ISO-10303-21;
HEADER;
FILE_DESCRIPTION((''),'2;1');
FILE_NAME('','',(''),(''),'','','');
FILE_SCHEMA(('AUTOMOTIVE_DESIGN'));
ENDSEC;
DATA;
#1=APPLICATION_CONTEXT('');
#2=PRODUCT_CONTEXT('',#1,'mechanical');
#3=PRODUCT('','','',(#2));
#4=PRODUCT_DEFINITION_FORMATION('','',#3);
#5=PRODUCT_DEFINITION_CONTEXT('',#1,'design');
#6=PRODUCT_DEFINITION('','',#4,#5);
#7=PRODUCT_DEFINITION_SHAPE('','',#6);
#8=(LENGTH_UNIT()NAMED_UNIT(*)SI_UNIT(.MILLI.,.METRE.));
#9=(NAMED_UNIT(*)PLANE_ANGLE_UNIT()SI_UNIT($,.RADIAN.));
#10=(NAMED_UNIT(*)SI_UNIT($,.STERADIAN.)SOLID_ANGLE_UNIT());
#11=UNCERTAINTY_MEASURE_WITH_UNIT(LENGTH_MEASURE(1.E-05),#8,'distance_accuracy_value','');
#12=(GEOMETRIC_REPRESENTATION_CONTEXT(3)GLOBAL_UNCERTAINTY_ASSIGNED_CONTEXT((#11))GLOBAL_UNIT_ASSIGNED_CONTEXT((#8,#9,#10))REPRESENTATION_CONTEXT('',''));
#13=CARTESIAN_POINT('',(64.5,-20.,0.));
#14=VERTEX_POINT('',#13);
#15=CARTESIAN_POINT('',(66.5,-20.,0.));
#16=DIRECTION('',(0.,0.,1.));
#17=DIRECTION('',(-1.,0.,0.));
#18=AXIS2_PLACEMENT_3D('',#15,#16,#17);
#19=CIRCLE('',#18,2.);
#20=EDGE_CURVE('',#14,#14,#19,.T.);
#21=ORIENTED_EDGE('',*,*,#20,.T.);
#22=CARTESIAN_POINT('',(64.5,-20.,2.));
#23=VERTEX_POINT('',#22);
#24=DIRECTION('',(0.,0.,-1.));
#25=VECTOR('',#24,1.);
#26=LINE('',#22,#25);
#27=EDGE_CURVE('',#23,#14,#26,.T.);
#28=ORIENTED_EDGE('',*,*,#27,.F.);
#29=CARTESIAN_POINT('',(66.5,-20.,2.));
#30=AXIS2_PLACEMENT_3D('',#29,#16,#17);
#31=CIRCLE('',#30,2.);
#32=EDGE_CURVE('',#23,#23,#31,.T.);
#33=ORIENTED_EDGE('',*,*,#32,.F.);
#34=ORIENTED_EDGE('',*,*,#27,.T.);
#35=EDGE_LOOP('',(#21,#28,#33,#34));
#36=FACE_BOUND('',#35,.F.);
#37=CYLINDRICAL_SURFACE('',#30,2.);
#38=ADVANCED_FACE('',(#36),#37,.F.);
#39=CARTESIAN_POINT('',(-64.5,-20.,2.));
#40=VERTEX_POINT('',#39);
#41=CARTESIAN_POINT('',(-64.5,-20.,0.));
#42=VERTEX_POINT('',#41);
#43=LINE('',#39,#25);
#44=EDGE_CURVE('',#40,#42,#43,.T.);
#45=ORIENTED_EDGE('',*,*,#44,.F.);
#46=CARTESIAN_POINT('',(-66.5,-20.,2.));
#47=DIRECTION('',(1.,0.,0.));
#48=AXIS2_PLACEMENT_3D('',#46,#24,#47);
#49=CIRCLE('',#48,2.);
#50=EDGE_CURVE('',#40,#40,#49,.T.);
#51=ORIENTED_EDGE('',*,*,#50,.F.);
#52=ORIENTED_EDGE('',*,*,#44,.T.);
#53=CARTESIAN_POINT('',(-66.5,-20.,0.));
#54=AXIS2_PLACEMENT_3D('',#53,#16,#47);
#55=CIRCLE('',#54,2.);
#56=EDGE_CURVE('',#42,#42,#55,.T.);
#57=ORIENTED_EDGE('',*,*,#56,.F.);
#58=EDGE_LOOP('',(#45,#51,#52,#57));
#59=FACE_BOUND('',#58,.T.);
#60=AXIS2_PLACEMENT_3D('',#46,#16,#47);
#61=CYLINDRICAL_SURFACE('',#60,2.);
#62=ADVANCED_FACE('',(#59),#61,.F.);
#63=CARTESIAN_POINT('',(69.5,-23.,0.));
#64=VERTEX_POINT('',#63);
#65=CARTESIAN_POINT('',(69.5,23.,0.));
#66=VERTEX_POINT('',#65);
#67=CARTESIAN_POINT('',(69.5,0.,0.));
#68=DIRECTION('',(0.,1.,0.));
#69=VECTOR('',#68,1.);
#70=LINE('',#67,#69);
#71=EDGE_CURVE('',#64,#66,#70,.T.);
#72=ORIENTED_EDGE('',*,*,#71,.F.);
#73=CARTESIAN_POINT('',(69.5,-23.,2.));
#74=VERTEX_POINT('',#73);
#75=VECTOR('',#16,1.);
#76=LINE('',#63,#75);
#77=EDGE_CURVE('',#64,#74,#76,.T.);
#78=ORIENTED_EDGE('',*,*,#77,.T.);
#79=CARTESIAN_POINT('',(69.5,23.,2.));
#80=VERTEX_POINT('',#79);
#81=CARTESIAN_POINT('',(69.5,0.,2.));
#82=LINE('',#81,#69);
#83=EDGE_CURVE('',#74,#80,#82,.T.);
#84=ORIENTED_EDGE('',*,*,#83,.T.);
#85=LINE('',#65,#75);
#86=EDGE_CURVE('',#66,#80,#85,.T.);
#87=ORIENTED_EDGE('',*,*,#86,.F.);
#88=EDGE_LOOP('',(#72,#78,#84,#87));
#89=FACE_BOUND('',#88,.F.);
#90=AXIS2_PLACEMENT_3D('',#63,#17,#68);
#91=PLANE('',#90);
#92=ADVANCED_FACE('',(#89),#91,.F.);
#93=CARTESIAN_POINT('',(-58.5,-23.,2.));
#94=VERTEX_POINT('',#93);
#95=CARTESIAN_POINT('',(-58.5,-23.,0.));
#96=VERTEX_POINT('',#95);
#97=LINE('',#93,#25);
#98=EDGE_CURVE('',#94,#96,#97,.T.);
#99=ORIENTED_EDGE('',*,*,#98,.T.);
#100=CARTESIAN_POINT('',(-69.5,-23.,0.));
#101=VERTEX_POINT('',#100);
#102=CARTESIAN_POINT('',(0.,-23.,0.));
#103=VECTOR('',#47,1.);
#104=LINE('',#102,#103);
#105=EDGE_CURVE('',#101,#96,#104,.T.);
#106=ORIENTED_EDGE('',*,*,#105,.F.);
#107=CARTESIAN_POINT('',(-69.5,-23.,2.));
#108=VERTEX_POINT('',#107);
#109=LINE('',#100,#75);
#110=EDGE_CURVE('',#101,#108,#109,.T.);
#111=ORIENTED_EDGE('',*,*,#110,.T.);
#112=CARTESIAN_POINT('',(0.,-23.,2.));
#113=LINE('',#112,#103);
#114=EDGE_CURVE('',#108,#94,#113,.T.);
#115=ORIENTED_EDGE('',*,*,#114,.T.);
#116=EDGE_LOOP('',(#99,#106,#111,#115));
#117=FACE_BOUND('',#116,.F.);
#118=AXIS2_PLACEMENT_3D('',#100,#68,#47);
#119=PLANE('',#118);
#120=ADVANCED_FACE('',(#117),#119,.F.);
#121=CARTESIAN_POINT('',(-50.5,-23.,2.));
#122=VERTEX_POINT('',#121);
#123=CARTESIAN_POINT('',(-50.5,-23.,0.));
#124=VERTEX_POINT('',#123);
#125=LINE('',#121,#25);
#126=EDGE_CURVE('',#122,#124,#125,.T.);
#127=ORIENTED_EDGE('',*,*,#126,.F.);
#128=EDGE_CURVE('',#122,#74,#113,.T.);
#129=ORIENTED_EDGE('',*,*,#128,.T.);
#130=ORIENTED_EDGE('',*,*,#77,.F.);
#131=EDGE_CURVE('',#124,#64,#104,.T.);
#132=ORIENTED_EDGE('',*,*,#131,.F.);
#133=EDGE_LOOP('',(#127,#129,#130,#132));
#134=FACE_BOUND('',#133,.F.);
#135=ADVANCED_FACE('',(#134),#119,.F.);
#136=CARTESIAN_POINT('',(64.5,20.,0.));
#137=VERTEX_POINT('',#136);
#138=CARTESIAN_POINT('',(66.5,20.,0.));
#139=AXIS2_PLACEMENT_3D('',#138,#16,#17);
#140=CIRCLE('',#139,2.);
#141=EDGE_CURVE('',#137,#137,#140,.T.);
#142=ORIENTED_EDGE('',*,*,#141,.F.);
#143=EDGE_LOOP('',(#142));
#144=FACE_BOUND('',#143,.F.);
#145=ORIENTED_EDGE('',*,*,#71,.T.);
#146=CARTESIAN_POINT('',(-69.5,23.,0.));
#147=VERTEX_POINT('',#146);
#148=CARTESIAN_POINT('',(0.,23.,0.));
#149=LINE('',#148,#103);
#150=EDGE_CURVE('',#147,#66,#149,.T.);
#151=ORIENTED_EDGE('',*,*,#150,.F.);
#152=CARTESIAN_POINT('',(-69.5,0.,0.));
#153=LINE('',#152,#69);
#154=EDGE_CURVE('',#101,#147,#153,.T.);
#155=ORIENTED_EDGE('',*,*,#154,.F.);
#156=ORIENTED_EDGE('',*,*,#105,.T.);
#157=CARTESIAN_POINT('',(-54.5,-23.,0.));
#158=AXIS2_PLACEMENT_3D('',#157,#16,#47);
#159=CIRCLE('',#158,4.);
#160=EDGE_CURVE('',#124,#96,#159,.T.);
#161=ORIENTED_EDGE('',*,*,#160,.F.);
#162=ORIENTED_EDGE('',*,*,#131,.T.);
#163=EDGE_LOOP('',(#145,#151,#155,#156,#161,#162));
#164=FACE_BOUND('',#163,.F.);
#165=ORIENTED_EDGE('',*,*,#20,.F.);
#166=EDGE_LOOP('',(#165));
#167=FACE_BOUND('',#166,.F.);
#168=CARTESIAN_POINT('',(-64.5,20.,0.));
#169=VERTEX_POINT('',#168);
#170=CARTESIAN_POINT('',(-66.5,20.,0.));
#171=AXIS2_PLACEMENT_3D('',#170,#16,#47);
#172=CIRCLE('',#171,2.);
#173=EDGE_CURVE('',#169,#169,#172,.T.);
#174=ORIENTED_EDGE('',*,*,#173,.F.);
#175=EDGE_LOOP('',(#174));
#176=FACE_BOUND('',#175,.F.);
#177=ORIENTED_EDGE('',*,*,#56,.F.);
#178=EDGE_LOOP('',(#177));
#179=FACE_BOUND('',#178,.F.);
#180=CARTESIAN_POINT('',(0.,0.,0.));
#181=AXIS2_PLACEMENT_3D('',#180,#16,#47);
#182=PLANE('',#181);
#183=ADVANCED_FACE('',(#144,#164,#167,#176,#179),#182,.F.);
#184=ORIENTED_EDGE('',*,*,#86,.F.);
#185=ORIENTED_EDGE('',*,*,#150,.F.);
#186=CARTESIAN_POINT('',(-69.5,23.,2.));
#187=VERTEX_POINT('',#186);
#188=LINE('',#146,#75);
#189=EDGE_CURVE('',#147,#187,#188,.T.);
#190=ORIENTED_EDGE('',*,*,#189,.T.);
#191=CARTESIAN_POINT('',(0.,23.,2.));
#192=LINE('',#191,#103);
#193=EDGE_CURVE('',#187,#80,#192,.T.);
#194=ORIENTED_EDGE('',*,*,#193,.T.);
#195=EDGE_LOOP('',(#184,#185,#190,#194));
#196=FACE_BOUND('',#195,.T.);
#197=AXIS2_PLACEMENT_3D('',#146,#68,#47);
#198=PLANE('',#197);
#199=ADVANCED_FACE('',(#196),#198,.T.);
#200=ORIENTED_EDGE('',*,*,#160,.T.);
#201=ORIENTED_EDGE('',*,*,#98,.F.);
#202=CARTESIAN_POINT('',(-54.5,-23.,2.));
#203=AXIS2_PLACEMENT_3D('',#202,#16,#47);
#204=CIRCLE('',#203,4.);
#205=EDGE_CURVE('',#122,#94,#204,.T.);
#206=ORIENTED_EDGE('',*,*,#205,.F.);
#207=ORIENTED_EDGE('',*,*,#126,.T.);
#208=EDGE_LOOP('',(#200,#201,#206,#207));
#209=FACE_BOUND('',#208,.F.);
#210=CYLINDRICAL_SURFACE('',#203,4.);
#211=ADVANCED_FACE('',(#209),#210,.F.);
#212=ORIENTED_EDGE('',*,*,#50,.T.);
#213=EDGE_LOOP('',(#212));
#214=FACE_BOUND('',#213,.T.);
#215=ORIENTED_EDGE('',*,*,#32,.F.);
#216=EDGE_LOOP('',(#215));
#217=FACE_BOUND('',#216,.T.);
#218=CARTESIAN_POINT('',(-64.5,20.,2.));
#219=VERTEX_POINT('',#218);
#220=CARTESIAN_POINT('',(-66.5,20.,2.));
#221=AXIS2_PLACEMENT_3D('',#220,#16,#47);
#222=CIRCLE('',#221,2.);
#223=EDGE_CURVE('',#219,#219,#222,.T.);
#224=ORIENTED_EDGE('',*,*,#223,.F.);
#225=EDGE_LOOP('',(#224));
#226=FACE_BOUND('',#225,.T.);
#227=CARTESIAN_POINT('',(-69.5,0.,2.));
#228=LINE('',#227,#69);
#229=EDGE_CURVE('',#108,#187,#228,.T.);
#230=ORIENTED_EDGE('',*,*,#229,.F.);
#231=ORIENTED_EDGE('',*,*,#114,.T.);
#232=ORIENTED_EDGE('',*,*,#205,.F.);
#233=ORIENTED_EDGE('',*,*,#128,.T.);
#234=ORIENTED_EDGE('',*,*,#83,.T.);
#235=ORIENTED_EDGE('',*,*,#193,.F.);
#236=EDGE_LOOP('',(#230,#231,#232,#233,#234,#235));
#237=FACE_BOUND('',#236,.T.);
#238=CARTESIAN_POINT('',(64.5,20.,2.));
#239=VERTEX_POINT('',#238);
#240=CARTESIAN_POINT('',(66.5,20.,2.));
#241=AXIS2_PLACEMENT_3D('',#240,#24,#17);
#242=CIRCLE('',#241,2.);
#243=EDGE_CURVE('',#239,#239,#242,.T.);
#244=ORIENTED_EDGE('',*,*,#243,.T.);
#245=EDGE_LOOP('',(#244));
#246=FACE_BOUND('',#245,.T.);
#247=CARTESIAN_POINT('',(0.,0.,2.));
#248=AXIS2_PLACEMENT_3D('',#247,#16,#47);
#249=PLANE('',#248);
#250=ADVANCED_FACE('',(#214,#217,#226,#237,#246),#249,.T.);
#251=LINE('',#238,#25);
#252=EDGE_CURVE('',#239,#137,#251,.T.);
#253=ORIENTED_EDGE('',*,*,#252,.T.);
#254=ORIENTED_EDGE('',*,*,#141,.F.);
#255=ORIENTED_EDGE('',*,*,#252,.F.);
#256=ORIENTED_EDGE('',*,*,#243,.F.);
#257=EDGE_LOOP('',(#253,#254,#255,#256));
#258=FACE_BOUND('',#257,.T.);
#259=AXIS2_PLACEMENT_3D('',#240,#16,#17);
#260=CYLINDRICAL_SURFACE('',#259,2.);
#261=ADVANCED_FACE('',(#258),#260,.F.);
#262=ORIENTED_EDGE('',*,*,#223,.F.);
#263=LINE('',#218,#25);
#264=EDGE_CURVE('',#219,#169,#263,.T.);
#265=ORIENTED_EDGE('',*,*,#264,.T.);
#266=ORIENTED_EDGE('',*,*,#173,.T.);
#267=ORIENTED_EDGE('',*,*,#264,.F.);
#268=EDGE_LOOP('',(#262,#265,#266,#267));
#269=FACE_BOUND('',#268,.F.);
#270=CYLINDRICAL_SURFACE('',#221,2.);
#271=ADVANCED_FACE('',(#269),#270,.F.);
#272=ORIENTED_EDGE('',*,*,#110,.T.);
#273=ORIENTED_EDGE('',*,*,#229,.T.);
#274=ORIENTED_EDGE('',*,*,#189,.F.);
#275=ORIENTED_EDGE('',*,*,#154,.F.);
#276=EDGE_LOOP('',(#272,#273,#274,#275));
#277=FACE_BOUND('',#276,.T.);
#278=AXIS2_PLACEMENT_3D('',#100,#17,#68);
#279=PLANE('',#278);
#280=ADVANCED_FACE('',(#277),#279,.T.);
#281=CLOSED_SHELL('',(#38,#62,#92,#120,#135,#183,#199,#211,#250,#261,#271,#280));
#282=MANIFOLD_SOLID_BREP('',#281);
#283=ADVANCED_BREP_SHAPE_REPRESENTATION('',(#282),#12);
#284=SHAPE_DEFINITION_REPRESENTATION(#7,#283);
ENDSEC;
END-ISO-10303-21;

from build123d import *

# Parameters (mm, degrees)
SKETCH_W                = 139
SKETCH_H                = 46
PAD_DEPTH               = 2
SKETCH001_R             = 2
POCKET_DEPTH            = 294.855913
SKETCH001_MIRRORED_2_R  = 2
POCKET_MIRRORED_2_DEPTH = 294.855913
POCKET001_DEPTH         = 2.001


with BuildPart() as part:
    # Sketch → Pad (new body)
    with BuildSketch(Plane.XY):
        Rectangle(SKETCH_W, SKETCH_H)
    extrude(amount=PAD_DEPTH)

    # Sketch001 (on Face6 of Pad) → Pocket (cut, through all)
    with BuildSketch(Plane.XY.offset(2)):
        with Locations((-66.5, 20)):
            Circle(SKETCH001_R)
    pocket = extrude(amount=-POCKET_DEPTH, mode=Mode.SUBTRACT)

    # Sketch001 Mirrored 2 → Pocket Mirrored 2 (cut, through all)
    with BuildSketch(Plane(origin=(0, 0, 2), x_dir=(-1, 0, 0), z_dir=(0, 0, -1))):
        with Locations((-66.5, 20)):
            Circle(SKETCH001_MIRRORED_2_R)
    pocket_mirrored_2 = extrude(amount=POCKET_MIRRORED_2_DEPTH, mode=Mode.SUBTRACT)

    # Mirrored001: Pocket, Pocket Mirrored 2 across Sketch001 H_Axis
    add(pocket.mirror(Plane(origin=(0, 0, 2), x_dir=(0, 0, 1), z_dir=(0, 1, 0))), mode=Mode.SUBTRACT)
    add(pocket_mirrored_2.mirror(Plane(origin=(0, 0, 2), x_dir=(0, 0, 1), z_dir=(0, 1, 0))), mode=Mode.SUBTRACT)

    # Sketch002 (on Face5 of MultiTransform) → Pocket001 (cut, through all)
    with BuildSketch(Plane.XY.offset(2)):
        with BuildLine():
            ThreePointArc((-50.5, -23), (-54.5, -19), (-58.5, -23))
            Line((-58.5, -23), (-50.5, -23))
        make_face()
    extrude(amount=-POCKET001_DEPTH, mode=Mode.SUBTRACT)


solid = part.part
